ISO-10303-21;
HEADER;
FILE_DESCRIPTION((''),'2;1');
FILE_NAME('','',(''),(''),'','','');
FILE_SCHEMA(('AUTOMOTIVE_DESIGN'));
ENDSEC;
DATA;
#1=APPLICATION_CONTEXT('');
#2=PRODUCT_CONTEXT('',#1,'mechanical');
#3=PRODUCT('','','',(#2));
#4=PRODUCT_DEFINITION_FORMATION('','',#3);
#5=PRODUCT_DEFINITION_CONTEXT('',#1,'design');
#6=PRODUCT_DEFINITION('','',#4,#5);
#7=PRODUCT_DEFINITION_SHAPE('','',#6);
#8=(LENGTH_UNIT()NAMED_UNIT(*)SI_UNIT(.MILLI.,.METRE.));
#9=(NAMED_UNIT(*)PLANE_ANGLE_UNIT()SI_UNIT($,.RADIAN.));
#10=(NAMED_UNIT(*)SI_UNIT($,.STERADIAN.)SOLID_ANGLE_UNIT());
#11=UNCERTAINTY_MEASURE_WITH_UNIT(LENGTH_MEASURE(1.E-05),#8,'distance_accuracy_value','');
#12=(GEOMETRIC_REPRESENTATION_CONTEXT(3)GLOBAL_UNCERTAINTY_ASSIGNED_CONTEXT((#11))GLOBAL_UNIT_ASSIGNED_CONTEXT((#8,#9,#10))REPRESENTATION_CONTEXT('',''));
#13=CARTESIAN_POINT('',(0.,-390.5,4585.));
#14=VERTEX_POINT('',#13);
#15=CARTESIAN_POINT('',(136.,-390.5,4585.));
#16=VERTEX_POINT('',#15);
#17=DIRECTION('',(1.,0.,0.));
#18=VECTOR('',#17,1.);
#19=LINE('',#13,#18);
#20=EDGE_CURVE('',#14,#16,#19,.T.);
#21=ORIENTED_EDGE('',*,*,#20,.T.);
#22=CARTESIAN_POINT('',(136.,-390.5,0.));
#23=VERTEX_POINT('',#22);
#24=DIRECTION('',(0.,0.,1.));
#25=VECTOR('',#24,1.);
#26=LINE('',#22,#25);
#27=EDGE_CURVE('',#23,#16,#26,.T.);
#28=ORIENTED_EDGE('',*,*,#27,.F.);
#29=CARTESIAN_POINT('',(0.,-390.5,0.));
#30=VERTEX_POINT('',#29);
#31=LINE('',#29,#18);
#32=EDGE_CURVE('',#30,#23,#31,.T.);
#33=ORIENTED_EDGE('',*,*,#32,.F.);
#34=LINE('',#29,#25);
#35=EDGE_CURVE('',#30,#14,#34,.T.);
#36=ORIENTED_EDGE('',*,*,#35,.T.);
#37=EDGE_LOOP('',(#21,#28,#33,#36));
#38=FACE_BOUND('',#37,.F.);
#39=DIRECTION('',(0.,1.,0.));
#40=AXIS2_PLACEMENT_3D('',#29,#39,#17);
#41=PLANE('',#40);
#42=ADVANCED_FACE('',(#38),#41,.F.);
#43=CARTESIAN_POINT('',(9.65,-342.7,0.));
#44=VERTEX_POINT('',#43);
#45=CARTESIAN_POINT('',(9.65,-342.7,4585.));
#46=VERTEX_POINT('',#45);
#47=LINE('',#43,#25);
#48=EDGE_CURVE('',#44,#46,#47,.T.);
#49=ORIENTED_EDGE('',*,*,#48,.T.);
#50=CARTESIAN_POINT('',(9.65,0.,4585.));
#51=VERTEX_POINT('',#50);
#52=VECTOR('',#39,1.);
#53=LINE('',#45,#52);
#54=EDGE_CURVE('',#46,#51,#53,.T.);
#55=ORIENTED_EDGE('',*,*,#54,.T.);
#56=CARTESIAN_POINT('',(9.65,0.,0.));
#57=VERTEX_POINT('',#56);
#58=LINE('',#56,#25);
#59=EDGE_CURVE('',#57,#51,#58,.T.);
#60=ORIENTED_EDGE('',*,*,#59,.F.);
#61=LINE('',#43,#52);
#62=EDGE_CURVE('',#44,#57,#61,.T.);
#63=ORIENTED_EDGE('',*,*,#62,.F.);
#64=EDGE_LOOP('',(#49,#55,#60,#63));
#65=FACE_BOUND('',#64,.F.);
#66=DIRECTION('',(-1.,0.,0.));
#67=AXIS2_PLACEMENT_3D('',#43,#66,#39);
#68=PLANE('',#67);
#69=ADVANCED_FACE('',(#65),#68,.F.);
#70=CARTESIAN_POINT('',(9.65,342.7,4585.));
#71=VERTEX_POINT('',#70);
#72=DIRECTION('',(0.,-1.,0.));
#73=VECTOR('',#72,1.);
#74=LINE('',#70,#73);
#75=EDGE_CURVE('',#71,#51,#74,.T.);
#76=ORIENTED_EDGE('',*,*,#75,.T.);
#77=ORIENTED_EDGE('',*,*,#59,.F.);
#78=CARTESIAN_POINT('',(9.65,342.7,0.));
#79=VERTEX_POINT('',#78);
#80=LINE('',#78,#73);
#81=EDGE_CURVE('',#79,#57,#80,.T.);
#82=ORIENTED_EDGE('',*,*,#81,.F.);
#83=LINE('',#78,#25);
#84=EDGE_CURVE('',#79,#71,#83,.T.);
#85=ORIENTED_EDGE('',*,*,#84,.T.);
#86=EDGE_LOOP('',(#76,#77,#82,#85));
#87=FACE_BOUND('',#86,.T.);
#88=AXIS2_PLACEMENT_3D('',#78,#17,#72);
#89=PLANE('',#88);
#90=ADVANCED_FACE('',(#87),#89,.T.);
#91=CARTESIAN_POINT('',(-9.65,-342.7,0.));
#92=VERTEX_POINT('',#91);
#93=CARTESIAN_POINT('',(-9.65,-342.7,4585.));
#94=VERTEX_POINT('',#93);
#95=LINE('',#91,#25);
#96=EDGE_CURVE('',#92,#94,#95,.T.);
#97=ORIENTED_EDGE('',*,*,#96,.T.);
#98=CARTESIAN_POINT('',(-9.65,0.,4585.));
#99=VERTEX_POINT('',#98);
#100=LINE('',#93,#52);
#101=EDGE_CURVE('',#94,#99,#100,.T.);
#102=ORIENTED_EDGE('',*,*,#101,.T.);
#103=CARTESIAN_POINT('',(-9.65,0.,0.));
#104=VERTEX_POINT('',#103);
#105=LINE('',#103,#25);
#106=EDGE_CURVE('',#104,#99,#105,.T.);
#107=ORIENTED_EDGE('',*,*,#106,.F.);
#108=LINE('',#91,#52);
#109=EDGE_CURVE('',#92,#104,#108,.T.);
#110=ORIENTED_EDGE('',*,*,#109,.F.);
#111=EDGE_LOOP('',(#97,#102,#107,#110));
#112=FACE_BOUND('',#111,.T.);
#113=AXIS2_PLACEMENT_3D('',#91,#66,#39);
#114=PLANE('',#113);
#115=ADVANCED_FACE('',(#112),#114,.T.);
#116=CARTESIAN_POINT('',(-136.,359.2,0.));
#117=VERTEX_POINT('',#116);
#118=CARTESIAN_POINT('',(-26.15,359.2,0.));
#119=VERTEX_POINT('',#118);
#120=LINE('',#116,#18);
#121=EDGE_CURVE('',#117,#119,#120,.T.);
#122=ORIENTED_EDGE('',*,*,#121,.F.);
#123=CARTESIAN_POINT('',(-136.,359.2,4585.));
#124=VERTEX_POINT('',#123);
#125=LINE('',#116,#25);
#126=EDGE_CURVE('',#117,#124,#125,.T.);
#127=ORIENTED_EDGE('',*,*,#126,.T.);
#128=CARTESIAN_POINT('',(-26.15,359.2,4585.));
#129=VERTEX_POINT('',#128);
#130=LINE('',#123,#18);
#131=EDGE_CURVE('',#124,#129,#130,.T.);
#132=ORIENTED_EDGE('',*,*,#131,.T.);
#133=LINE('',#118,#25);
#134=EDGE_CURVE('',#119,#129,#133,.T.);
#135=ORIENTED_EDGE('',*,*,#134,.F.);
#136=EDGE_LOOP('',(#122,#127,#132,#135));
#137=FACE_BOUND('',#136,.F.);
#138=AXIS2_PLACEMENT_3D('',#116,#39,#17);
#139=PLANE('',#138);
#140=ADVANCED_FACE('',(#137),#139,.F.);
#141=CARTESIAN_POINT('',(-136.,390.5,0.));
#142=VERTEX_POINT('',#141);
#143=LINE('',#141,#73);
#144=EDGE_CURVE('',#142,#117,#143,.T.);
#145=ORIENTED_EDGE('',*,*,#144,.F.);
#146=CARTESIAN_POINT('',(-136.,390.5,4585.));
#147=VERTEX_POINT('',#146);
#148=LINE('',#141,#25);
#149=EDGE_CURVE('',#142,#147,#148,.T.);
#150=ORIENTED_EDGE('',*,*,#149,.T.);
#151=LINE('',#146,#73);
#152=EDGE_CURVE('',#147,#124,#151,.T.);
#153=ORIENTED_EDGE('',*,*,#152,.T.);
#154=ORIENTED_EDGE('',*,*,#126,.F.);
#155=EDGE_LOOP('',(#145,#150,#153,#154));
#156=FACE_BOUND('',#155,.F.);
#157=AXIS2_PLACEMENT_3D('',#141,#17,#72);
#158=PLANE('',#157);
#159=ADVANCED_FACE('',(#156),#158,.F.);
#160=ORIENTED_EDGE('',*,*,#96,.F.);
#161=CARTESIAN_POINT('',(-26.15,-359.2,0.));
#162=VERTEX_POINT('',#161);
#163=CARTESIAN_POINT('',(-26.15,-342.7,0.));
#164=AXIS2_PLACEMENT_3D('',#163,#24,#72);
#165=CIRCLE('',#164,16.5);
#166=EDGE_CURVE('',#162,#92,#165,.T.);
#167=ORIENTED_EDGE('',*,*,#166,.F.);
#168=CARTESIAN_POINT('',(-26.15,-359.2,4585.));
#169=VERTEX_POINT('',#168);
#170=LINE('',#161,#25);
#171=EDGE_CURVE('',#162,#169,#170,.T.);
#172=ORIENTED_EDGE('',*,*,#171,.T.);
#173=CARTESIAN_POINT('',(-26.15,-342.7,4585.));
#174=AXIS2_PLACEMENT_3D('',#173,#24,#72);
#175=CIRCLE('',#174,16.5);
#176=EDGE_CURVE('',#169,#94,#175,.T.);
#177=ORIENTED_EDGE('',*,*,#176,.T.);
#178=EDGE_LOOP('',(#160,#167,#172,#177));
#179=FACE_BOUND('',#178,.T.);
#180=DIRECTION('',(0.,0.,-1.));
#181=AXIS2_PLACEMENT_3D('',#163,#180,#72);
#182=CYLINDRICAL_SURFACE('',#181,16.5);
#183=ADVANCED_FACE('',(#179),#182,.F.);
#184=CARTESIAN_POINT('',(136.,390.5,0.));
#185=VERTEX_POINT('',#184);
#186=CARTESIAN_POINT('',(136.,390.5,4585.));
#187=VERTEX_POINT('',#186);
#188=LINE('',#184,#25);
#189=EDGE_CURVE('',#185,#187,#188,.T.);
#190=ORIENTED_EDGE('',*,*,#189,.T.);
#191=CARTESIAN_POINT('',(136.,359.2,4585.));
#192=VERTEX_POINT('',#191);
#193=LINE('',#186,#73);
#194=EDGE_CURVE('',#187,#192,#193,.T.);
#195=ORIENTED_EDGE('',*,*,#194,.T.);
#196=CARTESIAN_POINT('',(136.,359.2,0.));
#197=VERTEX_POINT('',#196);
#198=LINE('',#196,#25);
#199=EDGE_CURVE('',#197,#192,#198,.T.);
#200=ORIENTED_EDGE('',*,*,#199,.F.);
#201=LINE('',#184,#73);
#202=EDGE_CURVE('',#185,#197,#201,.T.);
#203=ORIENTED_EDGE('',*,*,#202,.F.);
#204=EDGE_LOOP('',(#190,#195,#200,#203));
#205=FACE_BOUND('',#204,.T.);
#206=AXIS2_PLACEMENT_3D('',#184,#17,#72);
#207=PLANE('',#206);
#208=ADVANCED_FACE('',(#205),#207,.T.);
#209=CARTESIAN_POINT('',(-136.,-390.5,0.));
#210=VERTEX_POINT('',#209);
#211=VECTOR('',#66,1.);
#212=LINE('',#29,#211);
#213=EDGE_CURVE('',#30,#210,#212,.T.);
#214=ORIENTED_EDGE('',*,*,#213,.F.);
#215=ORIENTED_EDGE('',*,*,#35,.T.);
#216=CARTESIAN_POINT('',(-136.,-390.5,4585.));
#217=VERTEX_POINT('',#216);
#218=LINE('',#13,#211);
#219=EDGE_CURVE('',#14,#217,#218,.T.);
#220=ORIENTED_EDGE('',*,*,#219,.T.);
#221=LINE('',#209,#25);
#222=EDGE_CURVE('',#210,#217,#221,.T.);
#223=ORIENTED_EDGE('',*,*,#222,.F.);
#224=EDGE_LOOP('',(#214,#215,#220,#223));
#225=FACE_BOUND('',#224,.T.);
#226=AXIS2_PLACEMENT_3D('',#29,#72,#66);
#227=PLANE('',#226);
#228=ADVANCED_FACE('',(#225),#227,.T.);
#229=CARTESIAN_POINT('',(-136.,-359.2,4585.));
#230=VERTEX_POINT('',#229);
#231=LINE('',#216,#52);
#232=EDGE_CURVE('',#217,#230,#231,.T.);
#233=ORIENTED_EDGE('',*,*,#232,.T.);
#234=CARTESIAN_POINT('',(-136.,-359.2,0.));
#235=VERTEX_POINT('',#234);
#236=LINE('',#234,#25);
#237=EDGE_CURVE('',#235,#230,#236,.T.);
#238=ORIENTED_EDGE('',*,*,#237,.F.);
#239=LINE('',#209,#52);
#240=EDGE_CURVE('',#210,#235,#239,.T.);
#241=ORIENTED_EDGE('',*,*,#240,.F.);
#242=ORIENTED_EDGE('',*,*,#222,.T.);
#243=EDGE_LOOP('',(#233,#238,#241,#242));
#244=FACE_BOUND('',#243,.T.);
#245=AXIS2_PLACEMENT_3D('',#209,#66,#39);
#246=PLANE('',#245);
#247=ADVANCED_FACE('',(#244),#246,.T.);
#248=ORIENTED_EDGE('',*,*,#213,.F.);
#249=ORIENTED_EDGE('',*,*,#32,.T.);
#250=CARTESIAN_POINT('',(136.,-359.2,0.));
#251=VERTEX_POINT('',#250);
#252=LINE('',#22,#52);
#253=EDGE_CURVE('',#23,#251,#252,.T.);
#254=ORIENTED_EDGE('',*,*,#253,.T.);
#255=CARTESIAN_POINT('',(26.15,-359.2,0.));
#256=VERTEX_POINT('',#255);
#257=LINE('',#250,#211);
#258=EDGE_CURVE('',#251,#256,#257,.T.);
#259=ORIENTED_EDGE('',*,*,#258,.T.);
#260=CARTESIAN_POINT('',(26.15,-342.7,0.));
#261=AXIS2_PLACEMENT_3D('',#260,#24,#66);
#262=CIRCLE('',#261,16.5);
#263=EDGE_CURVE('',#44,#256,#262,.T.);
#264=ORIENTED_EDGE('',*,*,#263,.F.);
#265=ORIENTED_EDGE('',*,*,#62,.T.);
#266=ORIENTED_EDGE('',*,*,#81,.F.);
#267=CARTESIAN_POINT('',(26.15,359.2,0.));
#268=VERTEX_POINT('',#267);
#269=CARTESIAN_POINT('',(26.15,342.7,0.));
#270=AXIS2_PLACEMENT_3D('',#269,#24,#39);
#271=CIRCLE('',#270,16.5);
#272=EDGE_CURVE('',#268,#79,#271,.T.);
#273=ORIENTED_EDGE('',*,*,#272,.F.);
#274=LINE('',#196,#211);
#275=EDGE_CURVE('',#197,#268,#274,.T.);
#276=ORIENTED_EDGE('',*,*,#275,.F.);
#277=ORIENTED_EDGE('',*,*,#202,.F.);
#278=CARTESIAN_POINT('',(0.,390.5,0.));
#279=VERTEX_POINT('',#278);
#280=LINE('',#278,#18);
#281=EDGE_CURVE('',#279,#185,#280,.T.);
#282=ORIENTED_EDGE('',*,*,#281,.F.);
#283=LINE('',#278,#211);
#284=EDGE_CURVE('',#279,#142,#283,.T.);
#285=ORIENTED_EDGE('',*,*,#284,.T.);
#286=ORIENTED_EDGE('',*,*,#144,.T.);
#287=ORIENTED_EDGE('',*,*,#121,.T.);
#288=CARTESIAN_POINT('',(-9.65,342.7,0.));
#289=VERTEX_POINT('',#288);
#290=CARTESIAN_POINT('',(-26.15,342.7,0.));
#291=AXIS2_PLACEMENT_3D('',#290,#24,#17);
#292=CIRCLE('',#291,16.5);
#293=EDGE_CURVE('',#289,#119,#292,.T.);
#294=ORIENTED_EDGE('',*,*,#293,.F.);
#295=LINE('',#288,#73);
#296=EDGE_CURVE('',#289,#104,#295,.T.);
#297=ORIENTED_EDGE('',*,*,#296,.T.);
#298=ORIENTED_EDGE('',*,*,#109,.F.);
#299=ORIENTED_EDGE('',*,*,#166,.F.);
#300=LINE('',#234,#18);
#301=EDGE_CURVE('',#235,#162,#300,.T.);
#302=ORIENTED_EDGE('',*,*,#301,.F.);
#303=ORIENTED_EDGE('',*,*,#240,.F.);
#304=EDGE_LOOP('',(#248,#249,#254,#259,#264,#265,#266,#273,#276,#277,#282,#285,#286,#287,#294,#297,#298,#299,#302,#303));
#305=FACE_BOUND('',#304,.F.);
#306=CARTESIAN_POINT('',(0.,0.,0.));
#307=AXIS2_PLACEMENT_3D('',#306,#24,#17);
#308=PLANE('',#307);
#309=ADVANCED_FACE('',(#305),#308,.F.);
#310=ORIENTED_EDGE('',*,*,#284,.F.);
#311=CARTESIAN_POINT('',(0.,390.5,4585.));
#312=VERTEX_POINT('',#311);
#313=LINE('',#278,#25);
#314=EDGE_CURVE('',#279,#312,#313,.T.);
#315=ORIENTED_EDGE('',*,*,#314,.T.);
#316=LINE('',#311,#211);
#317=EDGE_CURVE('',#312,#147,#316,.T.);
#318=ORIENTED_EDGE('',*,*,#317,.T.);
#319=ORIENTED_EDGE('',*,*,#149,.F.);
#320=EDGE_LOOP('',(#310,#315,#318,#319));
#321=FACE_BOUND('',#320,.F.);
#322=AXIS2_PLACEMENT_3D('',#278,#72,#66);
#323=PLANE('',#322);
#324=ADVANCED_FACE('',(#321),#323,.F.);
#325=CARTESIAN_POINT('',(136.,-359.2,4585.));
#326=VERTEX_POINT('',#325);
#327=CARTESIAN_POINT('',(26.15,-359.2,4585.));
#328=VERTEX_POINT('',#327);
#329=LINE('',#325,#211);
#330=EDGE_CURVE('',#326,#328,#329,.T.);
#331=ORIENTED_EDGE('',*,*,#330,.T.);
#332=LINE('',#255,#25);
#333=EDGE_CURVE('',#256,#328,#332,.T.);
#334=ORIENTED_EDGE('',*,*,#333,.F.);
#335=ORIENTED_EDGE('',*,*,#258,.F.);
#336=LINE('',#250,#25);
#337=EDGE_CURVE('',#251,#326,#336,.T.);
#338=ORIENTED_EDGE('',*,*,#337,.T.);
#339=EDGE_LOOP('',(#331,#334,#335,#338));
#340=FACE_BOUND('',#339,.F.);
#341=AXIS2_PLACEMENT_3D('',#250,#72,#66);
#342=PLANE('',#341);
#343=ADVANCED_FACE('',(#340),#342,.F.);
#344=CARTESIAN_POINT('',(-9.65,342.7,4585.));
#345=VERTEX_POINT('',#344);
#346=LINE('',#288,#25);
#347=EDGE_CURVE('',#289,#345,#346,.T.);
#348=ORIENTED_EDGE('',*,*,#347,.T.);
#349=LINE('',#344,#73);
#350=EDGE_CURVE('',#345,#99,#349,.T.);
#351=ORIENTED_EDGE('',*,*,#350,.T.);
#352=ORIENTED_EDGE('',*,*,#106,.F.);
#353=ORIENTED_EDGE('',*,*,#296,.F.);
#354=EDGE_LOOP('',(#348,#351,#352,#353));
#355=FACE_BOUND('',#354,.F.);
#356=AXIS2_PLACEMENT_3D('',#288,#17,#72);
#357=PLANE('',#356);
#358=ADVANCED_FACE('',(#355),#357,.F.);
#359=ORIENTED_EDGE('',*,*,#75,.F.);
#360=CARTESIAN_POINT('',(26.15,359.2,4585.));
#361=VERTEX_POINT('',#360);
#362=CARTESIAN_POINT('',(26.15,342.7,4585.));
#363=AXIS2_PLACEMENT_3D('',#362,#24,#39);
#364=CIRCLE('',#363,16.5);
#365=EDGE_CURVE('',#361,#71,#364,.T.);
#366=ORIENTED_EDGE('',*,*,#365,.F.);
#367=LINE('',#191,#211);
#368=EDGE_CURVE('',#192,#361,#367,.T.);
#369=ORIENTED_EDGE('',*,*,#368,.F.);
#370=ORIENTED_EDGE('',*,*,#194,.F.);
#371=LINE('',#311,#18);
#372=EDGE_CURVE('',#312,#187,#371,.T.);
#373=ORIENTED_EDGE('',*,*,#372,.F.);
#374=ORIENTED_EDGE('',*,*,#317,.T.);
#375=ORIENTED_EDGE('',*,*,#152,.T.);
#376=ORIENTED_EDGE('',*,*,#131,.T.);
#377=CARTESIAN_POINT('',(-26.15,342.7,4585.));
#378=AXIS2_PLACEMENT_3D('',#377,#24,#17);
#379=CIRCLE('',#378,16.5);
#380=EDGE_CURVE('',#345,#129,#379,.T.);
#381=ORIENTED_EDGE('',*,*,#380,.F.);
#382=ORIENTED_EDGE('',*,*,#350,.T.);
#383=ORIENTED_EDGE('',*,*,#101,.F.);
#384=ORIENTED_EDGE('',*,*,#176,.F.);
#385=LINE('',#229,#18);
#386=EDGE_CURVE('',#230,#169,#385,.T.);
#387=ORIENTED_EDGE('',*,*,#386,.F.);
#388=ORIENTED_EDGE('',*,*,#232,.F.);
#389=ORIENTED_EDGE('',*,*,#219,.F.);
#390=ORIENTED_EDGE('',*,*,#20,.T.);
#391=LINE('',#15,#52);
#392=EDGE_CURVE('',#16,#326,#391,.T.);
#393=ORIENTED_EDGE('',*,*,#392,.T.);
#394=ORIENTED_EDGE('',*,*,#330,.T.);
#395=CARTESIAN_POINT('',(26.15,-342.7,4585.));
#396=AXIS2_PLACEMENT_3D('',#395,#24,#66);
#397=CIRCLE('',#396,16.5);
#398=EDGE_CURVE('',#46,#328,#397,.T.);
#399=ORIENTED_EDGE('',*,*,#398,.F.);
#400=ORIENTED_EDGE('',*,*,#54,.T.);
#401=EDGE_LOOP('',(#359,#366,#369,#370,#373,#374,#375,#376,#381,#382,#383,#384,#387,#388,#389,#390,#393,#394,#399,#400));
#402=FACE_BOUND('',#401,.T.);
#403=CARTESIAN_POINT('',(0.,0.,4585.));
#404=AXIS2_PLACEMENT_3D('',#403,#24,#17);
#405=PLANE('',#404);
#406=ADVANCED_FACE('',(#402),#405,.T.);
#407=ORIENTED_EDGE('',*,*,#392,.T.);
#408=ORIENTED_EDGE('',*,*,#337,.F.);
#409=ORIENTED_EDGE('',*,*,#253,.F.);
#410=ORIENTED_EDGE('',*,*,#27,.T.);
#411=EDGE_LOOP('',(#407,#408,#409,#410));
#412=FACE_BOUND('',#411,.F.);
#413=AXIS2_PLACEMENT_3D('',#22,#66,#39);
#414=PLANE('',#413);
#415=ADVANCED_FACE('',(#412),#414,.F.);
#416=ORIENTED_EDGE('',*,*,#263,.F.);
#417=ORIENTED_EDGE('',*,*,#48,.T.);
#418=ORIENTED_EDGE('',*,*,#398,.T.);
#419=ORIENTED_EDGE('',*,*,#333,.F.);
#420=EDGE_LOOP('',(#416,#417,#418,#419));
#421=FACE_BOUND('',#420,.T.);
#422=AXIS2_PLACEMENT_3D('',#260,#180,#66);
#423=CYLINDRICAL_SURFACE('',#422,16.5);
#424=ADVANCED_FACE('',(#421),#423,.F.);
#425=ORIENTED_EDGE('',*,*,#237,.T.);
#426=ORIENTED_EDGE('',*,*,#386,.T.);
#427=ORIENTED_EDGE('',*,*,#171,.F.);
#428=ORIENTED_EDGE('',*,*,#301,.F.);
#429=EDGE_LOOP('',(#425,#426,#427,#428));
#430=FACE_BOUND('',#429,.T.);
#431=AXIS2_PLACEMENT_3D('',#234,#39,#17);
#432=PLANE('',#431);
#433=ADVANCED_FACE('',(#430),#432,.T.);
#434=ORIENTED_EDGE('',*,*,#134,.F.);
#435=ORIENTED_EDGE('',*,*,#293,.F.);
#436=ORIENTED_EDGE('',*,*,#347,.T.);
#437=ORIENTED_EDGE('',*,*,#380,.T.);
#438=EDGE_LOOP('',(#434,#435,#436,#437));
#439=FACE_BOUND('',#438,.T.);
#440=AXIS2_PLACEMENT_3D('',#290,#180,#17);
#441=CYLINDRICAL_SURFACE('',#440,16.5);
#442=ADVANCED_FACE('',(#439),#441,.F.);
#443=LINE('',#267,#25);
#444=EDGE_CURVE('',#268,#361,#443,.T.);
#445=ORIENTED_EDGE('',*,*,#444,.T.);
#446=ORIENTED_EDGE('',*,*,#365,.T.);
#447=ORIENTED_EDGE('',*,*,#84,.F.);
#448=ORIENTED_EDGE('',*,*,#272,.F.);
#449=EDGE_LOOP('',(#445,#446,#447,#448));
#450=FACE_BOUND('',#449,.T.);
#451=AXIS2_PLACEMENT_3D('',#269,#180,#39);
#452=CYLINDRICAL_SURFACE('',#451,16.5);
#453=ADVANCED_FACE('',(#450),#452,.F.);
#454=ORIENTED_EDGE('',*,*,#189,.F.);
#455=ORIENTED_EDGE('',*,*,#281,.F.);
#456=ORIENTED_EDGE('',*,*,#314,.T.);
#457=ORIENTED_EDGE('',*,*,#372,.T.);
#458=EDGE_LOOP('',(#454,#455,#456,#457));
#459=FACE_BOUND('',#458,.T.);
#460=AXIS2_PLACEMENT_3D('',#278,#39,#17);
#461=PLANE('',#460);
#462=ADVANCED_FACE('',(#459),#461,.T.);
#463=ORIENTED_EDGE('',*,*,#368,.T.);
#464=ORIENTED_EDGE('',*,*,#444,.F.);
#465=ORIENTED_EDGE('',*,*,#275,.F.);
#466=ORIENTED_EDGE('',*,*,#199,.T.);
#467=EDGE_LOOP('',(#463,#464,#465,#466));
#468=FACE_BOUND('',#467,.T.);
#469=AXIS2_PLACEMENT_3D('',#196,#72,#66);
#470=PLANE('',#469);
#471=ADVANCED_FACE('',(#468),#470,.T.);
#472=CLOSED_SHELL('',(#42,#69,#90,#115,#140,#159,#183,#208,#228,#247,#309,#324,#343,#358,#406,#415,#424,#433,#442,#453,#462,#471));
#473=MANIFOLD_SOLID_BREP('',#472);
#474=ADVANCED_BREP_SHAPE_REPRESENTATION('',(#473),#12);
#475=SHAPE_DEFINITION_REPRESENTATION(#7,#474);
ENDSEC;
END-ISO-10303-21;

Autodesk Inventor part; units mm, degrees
ref_plane "YZ Plane" through (0, 0, 0) normal (1, 0, 0) x (0, 1, 0)
ref_plane "Start plane" through (0, 0, 0) normal (0, 0, 1) x (1, 0, 0)
ref_plane "End plane" through (0, 0, 4585) normal (0, 0, 1) x (1, 0, 0)
sketch "Sketch" plane through (0, 0, 0) normal (0, 0, 1) x (1, 0, 0)
  line L0 (-136, -390.5) -> (-136, -359.2)
  line L1 (-136, -359.2) -> (-26.15, -359.2)
  line L2 (-9.65, -342.7) -> (-9.65, 0)
  line L3 (-9.65, 0) -> (0, 0) construction
  line L4 (0, 0) -> (0, -390.5) construction
  line L5 (0, -390.5) -> (-136, -390.5)
  line L6 (-60, 0) -> (80, 0) construction
  line L7 (0, -60) -> (0, 80) construction
  line L8 (136, -390.5) -> (136, -359.2)
  line L9 (136, -359.2) -> (26.15, -359.2)
  line L10 (9.65, -342.7) -> (9.65, 0)
  line L11 (9.65, 0) -> (0, 0) construction
  line L12 (0, -390.5) -> (136, -390.5)
  line L13 (-136, 390.5) -> (-136, 359.2)
  line L14 (-136, 359.2) -> (-26.15, 359.2)
  line L15 (-9.65, 342.7) -> (-9.65, 0)
  line L16 (0, 390.5) -> (-136, 390.5)
  line L17 (136, 390.5) -> (136, 359.2)
  line L18 (136, 359.2) -> (26.15, 359.2)
  line L19 (0, 390.5) -> (136, 390.5)
  line L20 (9.65, 342.7) -> (9.65, 0)
  arc A0 (-9.65, 342.7) -> (-26.15, 359.2) centre (-26.15, 342.7) ccw
  arc A1 (26.15, 359.2) -> (9.65, 342.7) centre (26.15, 342.7) ccw
  arc A2 (9.65, -342.7) -> (26.15, -359.2) centre (26.15, -342.7) ccw
  arc A3 (-26.15, -359.2) -> (-9.65, -342.7) centre (-26.15, -342.7) ccw
  line L21 (0, 108) -> (0, -88) construction
  line L22 (-88, 0) -> (108, 0) construction
  point P0 (-9.65, -359.2)
  point P1 (9.65, -359.2)
  point P2 (-9.65, 359.2)
  point P3 (9.65, 359.2)
  dimension "d1" = 390.5
  dimension "d2" = 31.3
  dimension "d3" = 136
  dimension "d4" = 9.65
  dimension "d10" = 16.5
extrude "Body" add sketch "Sketch" along normal up to surface (4585 mm away) from surface at 0
sketch "Sketch4" plane through (0, 0, 0) normal (0, 0, 1) x (1, 0, 0)
  line L0 (0, 0) -> (10, 0)
ref_plane "Work Plane3" through (0, 0, 0) normal (0, -1, 0) x (1, 0, 0)
sketch "Sketch5" plane through (0, 0, 0) normal (0, -1, 0) x (1, 0, 0)
  line L0 (-2, 0) -> (12, 0) projected
  line L1 (-2, 4585) -> (12, 4585) projected
  dimension "d14" = 4585
equation "\"d1\" = 0.5 * G_H"
equation "\"d2\" = G_T1"
equation "\"d3\" = 0.5 * G_W"
equation "\"d4\" = 0.5 * G_T"
equation "\"d10\" = G_IR"
equation "\"d5\" = G_L"
equation "\"G_W\" = 272"
equation "\"G_H\" = 781"
equation "\"G_T\" = 19.3"
equation "\"G_T1\" = 31.3"
equation "\"G_IR\" = 16.5"
equation "\"G_L\" = d14"
equation "\"G_OFFSET_START\" = 0"
equation "\"G_OFFSET_END\" = 0"
equation "\"d12\" = G_OFFSET_END + B_L"
equation "\"B_L\" = 4585"
properties part number "AS 3679-1990 - 760 UB - 244 - 4585" material "Steel, Mild"
